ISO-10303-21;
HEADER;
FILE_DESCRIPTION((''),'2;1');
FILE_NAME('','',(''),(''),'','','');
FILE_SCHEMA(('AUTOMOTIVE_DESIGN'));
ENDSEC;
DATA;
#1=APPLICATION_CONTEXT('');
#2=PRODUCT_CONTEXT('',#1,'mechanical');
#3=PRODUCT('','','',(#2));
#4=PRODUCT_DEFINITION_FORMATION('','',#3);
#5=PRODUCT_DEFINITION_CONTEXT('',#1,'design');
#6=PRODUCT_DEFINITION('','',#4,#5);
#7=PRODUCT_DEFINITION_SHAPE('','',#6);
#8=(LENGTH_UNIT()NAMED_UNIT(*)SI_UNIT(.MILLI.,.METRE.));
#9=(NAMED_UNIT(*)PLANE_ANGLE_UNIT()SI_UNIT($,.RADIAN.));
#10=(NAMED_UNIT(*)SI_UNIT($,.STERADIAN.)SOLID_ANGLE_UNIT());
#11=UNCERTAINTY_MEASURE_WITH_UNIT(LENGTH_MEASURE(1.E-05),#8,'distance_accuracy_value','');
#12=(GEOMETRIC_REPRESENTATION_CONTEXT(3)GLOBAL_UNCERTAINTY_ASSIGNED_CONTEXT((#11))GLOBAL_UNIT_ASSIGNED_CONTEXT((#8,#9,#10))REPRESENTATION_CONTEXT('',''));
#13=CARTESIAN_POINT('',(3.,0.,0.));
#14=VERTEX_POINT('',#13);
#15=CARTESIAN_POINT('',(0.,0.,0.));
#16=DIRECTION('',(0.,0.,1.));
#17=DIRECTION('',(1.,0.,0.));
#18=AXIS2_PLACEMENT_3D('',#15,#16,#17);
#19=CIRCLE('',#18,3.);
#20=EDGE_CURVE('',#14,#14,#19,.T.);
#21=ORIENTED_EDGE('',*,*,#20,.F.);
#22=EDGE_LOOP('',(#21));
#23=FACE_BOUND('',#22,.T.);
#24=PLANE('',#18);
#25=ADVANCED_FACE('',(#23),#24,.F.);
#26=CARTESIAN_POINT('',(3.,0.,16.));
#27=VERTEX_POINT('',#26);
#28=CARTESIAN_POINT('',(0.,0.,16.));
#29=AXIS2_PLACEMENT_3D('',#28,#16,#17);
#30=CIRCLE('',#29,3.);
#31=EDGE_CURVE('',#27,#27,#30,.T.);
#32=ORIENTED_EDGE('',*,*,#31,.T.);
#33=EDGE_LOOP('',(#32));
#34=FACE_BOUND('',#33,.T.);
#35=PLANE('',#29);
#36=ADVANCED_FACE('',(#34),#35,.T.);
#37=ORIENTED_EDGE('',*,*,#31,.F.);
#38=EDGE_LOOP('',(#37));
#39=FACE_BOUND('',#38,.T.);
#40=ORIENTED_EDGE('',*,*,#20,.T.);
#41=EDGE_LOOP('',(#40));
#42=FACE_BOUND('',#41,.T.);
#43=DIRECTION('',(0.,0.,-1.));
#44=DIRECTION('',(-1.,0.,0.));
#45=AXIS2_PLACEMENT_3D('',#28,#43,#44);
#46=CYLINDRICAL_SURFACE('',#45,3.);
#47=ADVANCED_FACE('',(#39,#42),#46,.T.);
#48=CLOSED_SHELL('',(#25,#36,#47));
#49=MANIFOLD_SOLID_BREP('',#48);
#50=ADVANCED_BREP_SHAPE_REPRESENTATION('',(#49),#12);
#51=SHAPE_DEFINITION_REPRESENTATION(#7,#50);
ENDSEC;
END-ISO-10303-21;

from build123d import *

# Parameters (mm, degrees)
SKETCH1_R      = 3
ENVELOPE_DEPTH = 16


with BuildPart() as part:
    # Sketch1 → Envelope (new body)
    with BuildSketch(Plane.XY):
        Circle(SKETCH1_R)
    extrude(amount=ENVELOPE_DEPTH)


solid = part.part
